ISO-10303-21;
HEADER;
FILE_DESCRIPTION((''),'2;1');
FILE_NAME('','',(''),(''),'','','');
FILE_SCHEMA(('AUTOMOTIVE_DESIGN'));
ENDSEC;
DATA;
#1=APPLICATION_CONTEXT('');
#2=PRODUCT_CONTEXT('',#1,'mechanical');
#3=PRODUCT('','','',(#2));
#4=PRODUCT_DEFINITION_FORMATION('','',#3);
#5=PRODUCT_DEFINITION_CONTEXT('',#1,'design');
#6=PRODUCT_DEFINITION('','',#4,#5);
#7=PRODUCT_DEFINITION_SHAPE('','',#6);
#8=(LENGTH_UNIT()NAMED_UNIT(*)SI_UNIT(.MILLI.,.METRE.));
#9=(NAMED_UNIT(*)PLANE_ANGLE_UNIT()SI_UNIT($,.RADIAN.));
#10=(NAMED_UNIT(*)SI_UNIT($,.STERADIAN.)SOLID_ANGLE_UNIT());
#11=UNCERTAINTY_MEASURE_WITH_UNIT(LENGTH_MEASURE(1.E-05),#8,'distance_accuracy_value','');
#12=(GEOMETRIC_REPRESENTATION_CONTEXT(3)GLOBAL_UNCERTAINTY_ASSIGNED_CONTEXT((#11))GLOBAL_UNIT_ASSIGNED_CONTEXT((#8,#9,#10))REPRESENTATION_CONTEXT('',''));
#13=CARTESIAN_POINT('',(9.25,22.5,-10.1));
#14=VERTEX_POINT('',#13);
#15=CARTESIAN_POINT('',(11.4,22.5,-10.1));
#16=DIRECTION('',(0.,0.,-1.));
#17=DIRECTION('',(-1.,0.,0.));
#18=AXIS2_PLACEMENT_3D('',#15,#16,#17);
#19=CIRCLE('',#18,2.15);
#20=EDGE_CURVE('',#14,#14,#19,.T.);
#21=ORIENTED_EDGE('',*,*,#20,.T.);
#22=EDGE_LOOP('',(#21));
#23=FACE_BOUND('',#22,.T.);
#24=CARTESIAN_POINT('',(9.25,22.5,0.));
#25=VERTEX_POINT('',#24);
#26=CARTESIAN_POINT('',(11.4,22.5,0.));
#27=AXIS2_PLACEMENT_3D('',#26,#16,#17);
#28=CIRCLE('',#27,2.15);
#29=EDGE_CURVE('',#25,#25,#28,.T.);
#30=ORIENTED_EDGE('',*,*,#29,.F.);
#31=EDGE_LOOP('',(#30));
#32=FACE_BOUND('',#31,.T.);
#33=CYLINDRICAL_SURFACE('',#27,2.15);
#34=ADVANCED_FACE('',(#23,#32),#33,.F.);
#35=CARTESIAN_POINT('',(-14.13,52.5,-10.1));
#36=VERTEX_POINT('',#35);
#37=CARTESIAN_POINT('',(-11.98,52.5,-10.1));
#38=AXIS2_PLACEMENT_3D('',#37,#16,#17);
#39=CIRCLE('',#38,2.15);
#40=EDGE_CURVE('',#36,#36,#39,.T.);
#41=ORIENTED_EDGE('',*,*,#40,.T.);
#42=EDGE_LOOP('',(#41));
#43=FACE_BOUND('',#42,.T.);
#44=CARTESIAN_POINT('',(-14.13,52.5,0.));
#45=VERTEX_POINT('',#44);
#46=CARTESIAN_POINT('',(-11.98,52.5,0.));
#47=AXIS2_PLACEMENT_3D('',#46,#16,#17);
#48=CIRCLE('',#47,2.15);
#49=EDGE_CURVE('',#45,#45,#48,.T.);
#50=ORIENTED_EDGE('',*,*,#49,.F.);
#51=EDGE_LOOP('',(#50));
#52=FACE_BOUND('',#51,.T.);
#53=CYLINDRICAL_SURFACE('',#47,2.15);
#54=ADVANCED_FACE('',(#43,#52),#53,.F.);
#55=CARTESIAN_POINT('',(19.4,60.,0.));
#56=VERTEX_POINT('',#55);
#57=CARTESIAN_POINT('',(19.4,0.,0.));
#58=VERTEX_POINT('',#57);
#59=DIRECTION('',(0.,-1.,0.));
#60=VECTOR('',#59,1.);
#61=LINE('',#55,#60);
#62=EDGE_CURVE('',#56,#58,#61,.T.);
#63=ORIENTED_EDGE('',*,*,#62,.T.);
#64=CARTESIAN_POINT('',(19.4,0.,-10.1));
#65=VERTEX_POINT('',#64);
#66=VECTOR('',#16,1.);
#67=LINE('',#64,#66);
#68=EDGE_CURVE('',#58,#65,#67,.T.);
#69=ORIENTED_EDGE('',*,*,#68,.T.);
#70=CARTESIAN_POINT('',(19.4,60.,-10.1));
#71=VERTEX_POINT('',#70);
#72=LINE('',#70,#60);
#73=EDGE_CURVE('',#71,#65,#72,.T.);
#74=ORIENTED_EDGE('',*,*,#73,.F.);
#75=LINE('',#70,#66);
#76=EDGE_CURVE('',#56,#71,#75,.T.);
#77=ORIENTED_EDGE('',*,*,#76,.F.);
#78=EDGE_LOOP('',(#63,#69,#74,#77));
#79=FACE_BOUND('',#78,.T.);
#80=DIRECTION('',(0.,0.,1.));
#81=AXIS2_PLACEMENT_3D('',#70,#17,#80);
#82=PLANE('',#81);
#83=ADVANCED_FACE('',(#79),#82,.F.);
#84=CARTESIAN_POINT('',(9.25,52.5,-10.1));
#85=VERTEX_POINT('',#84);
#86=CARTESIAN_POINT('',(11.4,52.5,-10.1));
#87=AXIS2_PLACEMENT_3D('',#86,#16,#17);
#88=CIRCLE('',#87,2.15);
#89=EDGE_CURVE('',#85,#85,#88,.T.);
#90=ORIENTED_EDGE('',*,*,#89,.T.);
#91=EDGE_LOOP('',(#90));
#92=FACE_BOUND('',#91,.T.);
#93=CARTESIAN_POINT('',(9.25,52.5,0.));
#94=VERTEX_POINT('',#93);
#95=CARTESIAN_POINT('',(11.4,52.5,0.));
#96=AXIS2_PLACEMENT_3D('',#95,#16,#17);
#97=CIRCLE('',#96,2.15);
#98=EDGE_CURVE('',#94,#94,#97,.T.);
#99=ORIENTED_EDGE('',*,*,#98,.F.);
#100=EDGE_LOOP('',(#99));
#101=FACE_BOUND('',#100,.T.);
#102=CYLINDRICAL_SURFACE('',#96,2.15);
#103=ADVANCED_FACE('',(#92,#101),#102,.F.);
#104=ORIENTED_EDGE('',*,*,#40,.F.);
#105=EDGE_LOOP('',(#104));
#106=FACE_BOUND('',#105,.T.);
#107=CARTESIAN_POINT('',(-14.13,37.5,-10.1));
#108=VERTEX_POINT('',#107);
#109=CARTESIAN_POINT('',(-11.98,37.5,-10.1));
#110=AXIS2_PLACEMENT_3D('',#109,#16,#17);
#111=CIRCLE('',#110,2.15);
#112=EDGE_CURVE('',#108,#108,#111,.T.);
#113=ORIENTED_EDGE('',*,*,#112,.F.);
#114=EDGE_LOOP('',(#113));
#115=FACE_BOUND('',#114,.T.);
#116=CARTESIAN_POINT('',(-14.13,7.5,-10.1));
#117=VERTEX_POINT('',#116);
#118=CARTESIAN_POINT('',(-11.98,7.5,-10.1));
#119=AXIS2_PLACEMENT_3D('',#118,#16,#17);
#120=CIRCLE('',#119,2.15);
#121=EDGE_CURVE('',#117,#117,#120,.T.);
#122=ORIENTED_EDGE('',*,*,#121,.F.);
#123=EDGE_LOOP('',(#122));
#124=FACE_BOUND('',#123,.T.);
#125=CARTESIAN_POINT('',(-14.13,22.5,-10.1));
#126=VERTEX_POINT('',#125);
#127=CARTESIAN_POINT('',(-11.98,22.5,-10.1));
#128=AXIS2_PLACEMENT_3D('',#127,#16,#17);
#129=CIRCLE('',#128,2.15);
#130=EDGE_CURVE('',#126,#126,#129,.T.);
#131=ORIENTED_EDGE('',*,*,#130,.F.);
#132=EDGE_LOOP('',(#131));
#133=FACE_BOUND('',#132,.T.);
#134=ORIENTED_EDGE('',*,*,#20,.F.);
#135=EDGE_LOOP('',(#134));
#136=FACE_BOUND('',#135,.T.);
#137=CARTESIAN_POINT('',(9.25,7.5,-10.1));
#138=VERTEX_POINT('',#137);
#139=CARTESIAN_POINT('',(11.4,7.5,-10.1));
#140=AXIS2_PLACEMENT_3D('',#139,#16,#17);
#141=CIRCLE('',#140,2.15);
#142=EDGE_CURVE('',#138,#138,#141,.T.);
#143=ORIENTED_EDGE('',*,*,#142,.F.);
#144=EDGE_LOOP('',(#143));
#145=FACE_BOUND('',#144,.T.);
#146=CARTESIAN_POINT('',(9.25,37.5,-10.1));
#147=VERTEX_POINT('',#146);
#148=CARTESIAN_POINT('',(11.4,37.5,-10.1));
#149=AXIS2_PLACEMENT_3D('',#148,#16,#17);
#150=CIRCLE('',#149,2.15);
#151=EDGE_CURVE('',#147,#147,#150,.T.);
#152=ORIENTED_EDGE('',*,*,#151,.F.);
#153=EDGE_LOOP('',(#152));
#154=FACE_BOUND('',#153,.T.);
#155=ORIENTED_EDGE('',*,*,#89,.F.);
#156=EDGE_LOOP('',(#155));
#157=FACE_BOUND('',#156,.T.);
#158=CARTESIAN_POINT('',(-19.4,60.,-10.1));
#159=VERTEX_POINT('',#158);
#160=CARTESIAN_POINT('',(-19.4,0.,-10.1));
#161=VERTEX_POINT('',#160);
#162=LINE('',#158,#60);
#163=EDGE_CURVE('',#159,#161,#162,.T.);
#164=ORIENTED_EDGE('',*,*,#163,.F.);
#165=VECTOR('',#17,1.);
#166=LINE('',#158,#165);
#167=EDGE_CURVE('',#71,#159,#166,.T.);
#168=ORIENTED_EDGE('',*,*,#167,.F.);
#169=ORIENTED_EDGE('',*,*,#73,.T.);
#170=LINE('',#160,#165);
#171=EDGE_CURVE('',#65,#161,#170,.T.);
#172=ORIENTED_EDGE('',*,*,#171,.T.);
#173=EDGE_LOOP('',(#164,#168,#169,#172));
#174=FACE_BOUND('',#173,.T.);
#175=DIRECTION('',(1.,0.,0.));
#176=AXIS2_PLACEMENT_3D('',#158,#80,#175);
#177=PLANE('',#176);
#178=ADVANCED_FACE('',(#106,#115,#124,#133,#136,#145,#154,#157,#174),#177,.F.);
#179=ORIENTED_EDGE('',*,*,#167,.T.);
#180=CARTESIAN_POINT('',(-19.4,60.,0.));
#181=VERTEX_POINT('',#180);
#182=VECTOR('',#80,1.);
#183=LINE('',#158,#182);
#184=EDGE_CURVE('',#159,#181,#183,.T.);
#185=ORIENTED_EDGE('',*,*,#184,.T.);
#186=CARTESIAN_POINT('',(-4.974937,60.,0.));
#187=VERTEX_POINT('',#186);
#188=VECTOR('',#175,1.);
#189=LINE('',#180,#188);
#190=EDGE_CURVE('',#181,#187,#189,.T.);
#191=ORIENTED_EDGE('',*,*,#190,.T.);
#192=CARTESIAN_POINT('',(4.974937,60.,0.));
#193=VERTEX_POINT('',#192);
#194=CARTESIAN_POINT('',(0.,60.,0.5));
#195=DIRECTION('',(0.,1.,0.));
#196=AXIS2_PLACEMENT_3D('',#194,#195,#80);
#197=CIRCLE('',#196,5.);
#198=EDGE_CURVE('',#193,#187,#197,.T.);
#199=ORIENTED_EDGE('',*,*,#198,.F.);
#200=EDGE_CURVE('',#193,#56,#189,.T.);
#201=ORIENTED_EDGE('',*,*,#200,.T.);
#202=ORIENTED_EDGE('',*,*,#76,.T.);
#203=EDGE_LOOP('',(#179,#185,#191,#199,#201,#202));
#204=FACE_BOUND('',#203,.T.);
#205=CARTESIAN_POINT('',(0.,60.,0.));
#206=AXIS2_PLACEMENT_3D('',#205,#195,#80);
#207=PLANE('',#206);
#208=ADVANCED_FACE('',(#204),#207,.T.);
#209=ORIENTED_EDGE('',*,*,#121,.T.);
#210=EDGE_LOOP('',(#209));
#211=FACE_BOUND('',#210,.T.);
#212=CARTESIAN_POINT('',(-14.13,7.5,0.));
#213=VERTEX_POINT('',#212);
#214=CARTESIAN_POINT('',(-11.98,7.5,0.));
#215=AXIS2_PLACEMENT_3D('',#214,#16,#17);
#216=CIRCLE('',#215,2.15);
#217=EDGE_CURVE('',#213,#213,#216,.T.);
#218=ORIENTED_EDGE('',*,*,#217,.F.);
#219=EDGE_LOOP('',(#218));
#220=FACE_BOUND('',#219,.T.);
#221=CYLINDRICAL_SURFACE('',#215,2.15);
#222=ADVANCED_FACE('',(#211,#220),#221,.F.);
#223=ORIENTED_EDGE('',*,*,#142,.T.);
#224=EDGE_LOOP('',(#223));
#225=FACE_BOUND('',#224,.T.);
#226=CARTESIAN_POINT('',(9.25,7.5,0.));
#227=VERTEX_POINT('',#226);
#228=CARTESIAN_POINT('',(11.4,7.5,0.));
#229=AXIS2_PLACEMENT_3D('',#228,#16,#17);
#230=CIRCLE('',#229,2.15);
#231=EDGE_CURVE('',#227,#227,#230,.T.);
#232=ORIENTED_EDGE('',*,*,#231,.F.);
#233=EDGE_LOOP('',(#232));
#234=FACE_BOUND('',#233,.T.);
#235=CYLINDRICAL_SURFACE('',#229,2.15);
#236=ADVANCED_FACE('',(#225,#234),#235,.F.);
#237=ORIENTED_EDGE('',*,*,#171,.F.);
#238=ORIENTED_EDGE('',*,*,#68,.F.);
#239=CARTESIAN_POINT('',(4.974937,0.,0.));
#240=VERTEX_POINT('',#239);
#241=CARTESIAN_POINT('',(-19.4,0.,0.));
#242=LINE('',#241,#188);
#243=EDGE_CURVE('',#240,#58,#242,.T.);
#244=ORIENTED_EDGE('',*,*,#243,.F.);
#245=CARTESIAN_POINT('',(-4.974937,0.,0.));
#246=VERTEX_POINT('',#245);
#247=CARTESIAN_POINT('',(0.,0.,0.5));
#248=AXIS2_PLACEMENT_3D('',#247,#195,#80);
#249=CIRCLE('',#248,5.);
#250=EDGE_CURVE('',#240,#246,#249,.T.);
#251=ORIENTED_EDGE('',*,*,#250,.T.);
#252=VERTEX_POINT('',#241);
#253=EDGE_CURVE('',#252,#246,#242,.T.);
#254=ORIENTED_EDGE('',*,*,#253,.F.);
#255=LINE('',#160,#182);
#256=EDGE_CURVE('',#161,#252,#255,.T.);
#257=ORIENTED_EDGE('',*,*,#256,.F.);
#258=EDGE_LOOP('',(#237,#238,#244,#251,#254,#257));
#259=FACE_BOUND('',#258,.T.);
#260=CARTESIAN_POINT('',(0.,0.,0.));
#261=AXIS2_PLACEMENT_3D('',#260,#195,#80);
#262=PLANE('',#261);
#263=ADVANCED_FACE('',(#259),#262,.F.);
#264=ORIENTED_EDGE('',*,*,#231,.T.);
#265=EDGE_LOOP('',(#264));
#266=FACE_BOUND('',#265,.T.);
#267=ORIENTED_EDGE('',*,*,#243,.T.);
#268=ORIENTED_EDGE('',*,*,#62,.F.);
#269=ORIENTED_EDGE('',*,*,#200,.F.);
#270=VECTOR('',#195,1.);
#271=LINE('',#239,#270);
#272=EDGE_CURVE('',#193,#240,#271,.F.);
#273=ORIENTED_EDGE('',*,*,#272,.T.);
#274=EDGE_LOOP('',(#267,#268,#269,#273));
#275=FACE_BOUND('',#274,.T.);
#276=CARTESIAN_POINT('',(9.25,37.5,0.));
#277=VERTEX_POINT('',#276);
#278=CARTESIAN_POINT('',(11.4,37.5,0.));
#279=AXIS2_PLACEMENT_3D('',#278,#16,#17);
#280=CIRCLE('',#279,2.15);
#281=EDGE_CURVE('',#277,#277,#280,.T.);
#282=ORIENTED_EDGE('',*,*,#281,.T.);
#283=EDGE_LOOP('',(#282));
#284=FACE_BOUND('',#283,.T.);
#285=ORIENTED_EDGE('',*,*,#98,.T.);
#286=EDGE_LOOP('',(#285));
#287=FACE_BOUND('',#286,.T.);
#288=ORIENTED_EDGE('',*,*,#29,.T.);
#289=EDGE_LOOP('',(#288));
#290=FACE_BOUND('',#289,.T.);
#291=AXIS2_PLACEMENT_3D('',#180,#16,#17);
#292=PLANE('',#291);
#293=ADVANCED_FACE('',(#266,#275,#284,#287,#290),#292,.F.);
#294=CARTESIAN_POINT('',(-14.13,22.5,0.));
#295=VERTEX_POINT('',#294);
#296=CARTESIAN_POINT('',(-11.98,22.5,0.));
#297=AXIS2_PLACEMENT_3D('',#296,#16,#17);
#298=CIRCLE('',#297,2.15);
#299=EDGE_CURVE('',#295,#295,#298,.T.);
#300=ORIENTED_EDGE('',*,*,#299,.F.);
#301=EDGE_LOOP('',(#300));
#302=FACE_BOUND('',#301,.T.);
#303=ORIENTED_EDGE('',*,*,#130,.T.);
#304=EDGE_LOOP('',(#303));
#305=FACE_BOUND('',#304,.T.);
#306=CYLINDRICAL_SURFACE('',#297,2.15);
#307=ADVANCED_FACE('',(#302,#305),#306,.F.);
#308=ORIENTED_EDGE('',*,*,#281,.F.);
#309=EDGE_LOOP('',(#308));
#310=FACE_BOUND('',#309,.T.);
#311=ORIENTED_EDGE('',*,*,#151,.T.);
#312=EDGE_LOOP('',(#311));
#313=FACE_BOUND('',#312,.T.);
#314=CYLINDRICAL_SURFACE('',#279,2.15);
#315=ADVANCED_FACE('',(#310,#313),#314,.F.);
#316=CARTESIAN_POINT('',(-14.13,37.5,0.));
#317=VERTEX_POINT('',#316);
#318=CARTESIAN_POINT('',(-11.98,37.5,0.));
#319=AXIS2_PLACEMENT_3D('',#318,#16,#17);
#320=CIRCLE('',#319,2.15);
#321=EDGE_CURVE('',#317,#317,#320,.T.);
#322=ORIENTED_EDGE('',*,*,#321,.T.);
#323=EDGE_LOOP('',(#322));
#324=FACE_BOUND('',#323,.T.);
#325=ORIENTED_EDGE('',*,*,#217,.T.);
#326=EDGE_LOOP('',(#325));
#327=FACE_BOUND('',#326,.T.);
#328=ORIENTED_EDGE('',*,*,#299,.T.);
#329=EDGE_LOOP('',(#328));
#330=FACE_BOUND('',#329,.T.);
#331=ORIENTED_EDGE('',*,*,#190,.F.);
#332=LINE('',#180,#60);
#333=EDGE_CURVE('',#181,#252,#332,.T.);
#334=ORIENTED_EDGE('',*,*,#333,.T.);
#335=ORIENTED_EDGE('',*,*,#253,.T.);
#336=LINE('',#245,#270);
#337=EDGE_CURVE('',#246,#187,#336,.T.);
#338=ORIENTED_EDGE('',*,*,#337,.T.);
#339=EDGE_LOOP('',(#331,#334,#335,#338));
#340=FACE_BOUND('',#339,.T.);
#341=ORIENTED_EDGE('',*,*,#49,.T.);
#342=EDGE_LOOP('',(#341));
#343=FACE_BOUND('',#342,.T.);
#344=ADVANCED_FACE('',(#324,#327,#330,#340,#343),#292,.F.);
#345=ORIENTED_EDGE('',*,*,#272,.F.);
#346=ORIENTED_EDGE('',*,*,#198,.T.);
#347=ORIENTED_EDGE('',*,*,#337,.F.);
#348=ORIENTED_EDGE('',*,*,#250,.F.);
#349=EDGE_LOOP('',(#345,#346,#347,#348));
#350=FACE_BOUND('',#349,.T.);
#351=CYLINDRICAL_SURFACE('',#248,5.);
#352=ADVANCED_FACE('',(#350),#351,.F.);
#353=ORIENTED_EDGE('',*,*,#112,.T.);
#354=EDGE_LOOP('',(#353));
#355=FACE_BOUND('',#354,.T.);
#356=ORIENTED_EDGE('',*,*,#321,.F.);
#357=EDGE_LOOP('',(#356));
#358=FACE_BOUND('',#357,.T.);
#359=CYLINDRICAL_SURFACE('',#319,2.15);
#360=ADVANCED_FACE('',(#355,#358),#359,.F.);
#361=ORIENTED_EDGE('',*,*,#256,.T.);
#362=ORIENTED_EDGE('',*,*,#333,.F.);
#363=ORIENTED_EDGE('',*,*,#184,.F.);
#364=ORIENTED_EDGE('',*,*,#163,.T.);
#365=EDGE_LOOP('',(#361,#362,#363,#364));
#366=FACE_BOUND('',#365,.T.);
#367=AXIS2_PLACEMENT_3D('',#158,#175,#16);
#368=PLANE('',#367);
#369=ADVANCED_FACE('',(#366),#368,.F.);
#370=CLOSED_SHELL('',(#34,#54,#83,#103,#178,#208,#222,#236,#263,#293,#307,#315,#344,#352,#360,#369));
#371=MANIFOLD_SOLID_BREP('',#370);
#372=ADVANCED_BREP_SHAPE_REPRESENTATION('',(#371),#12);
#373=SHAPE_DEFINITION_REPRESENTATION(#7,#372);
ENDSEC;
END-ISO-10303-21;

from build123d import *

# Parameters (mm, degrees)
SKETCH_1_W          = 38.8
SKETCH_1_H          = 10.1
EXTRUDE_1_DEPTH     = 60
SKETCH_2_R          = 5
CUT_EXTRUDE_1_DEPTH = 60
SKETCH_3_R          = 2.15
CUT_EXTRUDE_2_DEPTH = 64.862117096


with BuildPart() as part:
    # 草图1 → 凸台-拉伸1 (new body)
    with BuildSketch(Plane(origin=(0, 0, 0), x_dir=(1, 0, 0), z_dir=(0, 1, 0))):
        with Locations((0, 5.05)):
            Rectangle(SKETCH_1_W, SKETCH_1_H)
    extrude(amount=EXTRUDE_1_DEPTH)

    # 草图2 → 切除-拉伸1 (cut)
    with BuildSketch(Plane(origin=(0, 60, 0), x_dir=(1, 0, 0), z_dir=(0, 1, 0))):
        with Locations((0, -0.5)):
            Circle(SKETCH_2_R)
    extrude(amount=-CUT_EXTRUDE_1_DEPTH, mode=Mode.SUBTRACT)

    # 草图3 → 切除-拉伸2 (cut, through all)
    with BuildSketch(Plane(origin=(0, 0, -10.1), x_dir=(-1, 0, 0), z_dir=(0, 0, -1))):
        with Locations((-11.4, 52.5)):
            Circle(SKETCH_3_R)
        with Locations((-11.4, 37.5)):
            Circle(SKETCH_3_R)
        with Locations((-11.4, 22.5)):
            Circle(SKETCH_3_R)
        with Locations((-11.4, 7.5)):
            Circle(SKETCH_3_R)
        with Locations((11.98, 52.5)):
            Circle(SKETCH_3_R)
        with Locations((11.98, 37.5)):
            Circle(SKETCH_3_R)
        with Locations((11.98, 22.5)):
            Circle(SKETCH_3_R)
        with Locations((11.98, 7.5)):
            Circle(SKETCH_3_R)
    extrude(amount=-CUT_EXTRUDE_2_DEPTH, mode=Mode.SUBTRACT)


solid = part.part
